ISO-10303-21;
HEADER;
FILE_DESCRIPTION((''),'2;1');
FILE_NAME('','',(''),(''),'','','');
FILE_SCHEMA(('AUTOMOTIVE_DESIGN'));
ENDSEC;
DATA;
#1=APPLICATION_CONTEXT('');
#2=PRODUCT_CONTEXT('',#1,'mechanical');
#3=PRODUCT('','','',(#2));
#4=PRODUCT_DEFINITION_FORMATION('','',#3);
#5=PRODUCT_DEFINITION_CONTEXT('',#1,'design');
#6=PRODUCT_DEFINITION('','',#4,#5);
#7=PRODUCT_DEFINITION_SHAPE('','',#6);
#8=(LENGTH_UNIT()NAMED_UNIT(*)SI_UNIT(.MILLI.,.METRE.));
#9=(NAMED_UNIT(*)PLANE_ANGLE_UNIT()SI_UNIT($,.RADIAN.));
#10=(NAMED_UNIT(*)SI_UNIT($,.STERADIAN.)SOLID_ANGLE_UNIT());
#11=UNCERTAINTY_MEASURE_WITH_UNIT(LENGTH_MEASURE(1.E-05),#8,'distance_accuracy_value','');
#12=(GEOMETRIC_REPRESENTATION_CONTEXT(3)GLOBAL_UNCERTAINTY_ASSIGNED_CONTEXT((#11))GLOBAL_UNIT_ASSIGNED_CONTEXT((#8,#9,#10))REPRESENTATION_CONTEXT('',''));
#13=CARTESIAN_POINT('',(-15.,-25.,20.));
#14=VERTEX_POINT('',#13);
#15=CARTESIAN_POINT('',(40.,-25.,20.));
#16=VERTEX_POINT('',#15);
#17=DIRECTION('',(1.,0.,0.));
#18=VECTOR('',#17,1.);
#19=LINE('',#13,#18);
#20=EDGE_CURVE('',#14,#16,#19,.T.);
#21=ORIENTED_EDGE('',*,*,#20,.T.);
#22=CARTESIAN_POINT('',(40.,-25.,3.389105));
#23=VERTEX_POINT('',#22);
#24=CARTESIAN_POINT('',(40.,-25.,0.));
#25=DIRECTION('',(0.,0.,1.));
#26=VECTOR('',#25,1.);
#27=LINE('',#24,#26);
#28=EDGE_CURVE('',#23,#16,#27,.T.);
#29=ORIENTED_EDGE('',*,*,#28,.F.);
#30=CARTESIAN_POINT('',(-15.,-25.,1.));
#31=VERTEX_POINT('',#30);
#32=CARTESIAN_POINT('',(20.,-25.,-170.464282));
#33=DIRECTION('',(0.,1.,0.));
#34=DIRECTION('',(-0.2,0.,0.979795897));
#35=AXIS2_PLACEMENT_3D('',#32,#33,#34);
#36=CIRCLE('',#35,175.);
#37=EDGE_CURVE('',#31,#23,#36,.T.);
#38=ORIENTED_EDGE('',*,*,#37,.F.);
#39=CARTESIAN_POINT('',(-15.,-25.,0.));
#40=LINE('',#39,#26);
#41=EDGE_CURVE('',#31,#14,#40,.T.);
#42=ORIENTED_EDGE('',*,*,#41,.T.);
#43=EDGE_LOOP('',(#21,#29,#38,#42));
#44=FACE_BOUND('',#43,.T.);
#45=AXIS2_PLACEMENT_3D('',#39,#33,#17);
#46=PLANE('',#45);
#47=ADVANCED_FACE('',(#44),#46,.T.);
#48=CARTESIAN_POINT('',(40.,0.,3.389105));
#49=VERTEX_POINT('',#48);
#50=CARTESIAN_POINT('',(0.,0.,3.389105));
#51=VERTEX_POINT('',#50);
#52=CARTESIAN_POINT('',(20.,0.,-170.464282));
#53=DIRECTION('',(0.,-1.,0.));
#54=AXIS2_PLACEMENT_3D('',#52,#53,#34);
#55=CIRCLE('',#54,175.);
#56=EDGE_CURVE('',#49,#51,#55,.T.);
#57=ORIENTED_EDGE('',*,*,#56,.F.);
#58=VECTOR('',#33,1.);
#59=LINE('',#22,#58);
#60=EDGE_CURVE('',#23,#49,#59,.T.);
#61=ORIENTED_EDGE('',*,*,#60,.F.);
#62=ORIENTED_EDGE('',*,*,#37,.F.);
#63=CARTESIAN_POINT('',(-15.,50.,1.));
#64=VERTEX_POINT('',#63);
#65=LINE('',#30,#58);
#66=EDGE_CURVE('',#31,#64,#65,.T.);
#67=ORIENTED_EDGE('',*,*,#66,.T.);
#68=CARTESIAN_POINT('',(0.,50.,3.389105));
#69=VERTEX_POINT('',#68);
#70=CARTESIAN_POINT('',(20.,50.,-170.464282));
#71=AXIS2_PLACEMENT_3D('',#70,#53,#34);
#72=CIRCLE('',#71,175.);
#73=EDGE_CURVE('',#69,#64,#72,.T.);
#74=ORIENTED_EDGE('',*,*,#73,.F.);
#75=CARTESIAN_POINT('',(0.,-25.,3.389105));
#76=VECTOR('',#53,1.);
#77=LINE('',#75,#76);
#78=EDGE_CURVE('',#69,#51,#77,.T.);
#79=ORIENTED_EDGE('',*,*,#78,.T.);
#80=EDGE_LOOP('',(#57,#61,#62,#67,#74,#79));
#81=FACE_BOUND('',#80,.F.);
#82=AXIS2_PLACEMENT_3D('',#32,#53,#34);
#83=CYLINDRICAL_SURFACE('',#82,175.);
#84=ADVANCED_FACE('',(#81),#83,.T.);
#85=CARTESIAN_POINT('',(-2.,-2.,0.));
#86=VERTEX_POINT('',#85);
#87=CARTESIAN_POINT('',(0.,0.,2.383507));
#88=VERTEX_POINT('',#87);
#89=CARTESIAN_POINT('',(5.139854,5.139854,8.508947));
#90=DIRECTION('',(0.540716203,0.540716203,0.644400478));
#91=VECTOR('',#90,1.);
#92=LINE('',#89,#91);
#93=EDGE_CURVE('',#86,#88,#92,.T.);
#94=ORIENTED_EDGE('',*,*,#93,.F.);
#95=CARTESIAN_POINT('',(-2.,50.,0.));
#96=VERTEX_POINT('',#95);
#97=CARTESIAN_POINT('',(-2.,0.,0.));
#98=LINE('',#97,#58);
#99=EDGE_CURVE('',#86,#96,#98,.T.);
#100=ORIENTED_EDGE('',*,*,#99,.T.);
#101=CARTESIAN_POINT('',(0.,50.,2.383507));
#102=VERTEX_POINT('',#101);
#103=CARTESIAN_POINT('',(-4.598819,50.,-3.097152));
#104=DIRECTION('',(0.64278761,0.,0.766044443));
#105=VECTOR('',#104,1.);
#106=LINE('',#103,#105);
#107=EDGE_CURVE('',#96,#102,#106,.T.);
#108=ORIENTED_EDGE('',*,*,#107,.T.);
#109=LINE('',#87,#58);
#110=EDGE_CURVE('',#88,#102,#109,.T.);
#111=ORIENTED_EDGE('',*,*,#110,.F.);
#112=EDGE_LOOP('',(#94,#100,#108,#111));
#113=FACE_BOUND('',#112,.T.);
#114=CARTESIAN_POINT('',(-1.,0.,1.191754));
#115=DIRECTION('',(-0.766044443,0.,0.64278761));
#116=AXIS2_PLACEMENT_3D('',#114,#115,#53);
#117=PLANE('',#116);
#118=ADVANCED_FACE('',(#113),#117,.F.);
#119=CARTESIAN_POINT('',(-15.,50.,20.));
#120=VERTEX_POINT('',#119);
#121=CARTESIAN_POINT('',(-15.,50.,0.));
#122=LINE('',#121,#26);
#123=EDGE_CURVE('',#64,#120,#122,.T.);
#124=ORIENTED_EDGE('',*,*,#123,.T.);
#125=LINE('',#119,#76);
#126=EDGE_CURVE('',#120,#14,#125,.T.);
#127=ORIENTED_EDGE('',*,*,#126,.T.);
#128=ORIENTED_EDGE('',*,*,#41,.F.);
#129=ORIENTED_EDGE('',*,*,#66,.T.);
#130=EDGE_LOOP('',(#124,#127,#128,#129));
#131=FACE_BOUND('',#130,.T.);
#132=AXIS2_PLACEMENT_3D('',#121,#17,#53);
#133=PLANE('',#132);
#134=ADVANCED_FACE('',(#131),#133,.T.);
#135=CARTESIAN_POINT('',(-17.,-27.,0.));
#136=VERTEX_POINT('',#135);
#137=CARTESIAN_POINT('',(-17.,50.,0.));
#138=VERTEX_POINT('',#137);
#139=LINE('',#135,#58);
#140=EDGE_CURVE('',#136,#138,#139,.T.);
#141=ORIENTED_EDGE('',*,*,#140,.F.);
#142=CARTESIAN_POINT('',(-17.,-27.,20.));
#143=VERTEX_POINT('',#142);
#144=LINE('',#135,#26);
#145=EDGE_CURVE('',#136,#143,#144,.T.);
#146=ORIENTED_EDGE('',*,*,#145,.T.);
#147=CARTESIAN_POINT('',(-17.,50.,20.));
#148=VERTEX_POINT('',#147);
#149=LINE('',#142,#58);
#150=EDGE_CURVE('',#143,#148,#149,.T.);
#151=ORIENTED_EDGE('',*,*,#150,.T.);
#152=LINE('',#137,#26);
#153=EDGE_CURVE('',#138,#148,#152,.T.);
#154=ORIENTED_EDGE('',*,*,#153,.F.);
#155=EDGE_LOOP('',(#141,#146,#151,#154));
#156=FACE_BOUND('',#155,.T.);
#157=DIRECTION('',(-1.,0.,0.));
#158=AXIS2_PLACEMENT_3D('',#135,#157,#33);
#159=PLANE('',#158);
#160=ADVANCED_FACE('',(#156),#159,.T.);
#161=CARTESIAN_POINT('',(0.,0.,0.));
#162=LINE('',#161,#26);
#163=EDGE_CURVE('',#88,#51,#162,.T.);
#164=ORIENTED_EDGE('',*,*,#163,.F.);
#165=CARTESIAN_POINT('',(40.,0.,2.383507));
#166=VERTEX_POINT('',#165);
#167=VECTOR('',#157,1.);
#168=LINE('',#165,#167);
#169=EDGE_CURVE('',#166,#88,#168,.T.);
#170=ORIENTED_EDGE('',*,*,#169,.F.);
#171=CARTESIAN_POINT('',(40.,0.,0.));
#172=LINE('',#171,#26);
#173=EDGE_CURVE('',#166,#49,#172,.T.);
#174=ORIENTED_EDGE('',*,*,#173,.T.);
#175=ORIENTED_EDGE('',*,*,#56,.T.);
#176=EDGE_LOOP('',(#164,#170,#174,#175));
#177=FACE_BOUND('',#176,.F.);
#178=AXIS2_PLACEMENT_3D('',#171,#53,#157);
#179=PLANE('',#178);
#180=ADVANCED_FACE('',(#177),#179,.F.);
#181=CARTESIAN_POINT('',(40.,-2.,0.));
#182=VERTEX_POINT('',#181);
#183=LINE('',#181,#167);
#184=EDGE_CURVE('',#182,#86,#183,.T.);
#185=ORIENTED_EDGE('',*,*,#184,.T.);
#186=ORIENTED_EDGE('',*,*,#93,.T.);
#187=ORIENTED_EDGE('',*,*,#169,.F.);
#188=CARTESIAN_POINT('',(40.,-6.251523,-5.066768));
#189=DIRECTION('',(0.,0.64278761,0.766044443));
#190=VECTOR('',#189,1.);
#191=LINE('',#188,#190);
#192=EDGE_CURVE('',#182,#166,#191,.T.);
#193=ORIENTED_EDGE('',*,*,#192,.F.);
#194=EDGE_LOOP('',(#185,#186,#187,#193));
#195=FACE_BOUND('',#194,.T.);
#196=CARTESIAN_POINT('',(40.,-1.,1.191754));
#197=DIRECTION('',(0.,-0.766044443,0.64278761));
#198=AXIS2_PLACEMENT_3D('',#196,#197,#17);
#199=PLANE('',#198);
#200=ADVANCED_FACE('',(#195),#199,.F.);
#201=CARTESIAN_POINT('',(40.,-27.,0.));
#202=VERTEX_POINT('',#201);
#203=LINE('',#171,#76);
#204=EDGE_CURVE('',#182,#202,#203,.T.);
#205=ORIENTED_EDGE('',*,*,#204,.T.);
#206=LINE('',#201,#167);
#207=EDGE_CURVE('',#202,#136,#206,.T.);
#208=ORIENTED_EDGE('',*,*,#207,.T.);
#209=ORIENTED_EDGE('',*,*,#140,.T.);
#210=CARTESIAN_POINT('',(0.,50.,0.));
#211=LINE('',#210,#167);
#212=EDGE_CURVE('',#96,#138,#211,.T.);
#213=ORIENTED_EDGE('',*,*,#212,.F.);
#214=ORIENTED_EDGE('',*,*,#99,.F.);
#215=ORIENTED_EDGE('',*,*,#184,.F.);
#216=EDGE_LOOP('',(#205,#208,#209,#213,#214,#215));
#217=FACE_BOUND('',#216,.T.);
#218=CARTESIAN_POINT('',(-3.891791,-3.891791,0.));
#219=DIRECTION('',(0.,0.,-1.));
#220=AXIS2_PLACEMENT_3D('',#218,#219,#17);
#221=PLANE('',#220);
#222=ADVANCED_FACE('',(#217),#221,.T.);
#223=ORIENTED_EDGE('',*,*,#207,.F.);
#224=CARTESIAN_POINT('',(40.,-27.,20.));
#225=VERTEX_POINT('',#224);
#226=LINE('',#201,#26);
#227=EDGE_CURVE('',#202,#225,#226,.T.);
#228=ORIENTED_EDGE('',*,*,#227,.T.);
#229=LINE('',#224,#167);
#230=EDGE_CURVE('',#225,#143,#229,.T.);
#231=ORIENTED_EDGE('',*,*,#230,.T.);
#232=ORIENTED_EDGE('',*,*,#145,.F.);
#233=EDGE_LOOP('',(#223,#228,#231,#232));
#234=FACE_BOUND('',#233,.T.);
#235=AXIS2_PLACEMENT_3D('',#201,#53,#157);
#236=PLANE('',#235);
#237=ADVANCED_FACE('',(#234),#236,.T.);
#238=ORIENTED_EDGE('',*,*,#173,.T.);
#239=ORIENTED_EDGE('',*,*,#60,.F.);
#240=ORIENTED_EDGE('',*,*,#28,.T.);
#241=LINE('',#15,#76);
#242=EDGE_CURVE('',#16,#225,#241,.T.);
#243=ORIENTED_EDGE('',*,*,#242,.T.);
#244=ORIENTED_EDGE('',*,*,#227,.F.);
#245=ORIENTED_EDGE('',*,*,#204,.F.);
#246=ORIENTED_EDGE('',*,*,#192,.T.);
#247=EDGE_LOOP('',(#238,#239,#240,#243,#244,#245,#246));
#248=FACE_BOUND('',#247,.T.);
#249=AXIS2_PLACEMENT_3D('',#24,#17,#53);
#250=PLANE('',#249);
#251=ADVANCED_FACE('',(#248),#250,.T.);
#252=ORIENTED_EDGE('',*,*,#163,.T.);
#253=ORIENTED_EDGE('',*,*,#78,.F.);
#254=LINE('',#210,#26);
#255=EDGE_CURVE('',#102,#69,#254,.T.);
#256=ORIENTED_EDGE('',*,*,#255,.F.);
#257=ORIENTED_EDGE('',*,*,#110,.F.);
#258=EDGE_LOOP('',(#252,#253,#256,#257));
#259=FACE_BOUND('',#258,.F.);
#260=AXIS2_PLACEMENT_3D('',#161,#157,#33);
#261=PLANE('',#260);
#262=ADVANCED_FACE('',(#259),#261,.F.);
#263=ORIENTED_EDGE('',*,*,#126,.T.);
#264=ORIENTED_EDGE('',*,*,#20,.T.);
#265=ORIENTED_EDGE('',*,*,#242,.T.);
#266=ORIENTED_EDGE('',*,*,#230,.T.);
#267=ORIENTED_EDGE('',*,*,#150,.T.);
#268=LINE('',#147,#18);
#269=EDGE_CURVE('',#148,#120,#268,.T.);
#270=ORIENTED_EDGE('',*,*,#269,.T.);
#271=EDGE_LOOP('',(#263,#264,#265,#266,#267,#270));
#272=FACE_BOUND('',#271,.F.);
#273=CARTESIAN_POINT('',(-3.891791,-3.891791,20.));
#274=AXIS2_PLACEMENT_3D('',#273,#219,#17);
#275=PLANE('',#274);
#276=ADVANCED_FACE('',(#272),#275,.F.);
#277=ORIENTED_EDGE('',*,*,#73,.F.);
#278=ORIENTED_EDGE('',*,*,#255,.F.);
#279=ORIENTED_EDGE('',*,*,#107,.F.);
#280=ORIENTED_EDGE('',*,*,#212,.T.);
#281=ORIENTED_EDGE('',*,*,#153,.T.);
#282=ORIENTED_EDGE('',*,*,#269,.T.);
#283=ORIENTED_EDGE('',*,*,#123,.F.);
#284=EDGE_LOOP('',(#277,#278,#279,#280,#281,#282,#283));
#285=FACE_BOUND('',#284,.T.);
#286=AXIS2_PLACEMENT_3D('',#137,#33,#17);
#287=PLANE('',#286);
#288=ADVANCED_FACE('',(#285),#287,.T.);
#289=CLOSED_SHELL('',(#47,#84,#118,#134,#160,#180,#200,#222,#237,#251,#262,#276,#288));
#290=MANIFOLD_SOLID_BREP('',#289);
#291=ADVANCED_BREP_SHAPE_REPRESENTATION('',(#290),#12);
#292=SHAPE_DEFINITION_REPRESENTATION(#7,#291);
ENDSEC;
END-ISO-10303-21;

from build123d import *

# Parameters (mm, degrees)
F1_DEPTH = 5
F3_DEPTH = 80
F5_DEPTH = 20
F6_SIZE2 = 2.3835071852
F6_SIZE  = 2


with BuildPart() as f1:
    # F0 (on Top) → F1 (new body)
    with BuildSketch(Plane.XY):
        Polygon((0, 0), (0, 50), (-15, 50), (-15, -25), (40, -25), (40, 0), align=None)
    extrude(amount=F1_DEPTH)

    # F2 (on face) → F3 (cut)
    with BuildSketch(Plane.XZ.offset(25)):
        with BuildLine():
            ThreePointArc((-15, 1), (12.4054654459, 4.3708490427), (40, 3.3891045123))
            Line((40, 3.3891045123), (40, 5))
            Line((40, 5), (-15, 5))
            Line((-15, 5), (-15, 1))
        make_face()
    extrude(amount=-F3_DEPTH, mode=Mode.SUBTRACT)

    # F4 (on face) → F5 (join)
    with BuildSketch(Plane(origin=(0, 0, 0), x_dir=(1, 0, 0), z_dir=(0, 0, -1))):
        Polygon((-17, -50), (-15, -50), (-15, 25), (40, 25), (40, 27), (-17, 27), align=None)
    extrude(amount=-F5_DEPTH)

    # F6
    f6_edges = [f1.edges().sort_by_distance(p)[0] for p in [
        (20, 0, 0),
        (0, 25, 0),
    ]]
    f6_side = f1.faces().sort_by_distance((-0.958019, 25, 0))[0]
    chamfer(f6_edges, length=F6_SIZE, length2=F6_SIZE2, reference=f6_side)


solid = f1.part
